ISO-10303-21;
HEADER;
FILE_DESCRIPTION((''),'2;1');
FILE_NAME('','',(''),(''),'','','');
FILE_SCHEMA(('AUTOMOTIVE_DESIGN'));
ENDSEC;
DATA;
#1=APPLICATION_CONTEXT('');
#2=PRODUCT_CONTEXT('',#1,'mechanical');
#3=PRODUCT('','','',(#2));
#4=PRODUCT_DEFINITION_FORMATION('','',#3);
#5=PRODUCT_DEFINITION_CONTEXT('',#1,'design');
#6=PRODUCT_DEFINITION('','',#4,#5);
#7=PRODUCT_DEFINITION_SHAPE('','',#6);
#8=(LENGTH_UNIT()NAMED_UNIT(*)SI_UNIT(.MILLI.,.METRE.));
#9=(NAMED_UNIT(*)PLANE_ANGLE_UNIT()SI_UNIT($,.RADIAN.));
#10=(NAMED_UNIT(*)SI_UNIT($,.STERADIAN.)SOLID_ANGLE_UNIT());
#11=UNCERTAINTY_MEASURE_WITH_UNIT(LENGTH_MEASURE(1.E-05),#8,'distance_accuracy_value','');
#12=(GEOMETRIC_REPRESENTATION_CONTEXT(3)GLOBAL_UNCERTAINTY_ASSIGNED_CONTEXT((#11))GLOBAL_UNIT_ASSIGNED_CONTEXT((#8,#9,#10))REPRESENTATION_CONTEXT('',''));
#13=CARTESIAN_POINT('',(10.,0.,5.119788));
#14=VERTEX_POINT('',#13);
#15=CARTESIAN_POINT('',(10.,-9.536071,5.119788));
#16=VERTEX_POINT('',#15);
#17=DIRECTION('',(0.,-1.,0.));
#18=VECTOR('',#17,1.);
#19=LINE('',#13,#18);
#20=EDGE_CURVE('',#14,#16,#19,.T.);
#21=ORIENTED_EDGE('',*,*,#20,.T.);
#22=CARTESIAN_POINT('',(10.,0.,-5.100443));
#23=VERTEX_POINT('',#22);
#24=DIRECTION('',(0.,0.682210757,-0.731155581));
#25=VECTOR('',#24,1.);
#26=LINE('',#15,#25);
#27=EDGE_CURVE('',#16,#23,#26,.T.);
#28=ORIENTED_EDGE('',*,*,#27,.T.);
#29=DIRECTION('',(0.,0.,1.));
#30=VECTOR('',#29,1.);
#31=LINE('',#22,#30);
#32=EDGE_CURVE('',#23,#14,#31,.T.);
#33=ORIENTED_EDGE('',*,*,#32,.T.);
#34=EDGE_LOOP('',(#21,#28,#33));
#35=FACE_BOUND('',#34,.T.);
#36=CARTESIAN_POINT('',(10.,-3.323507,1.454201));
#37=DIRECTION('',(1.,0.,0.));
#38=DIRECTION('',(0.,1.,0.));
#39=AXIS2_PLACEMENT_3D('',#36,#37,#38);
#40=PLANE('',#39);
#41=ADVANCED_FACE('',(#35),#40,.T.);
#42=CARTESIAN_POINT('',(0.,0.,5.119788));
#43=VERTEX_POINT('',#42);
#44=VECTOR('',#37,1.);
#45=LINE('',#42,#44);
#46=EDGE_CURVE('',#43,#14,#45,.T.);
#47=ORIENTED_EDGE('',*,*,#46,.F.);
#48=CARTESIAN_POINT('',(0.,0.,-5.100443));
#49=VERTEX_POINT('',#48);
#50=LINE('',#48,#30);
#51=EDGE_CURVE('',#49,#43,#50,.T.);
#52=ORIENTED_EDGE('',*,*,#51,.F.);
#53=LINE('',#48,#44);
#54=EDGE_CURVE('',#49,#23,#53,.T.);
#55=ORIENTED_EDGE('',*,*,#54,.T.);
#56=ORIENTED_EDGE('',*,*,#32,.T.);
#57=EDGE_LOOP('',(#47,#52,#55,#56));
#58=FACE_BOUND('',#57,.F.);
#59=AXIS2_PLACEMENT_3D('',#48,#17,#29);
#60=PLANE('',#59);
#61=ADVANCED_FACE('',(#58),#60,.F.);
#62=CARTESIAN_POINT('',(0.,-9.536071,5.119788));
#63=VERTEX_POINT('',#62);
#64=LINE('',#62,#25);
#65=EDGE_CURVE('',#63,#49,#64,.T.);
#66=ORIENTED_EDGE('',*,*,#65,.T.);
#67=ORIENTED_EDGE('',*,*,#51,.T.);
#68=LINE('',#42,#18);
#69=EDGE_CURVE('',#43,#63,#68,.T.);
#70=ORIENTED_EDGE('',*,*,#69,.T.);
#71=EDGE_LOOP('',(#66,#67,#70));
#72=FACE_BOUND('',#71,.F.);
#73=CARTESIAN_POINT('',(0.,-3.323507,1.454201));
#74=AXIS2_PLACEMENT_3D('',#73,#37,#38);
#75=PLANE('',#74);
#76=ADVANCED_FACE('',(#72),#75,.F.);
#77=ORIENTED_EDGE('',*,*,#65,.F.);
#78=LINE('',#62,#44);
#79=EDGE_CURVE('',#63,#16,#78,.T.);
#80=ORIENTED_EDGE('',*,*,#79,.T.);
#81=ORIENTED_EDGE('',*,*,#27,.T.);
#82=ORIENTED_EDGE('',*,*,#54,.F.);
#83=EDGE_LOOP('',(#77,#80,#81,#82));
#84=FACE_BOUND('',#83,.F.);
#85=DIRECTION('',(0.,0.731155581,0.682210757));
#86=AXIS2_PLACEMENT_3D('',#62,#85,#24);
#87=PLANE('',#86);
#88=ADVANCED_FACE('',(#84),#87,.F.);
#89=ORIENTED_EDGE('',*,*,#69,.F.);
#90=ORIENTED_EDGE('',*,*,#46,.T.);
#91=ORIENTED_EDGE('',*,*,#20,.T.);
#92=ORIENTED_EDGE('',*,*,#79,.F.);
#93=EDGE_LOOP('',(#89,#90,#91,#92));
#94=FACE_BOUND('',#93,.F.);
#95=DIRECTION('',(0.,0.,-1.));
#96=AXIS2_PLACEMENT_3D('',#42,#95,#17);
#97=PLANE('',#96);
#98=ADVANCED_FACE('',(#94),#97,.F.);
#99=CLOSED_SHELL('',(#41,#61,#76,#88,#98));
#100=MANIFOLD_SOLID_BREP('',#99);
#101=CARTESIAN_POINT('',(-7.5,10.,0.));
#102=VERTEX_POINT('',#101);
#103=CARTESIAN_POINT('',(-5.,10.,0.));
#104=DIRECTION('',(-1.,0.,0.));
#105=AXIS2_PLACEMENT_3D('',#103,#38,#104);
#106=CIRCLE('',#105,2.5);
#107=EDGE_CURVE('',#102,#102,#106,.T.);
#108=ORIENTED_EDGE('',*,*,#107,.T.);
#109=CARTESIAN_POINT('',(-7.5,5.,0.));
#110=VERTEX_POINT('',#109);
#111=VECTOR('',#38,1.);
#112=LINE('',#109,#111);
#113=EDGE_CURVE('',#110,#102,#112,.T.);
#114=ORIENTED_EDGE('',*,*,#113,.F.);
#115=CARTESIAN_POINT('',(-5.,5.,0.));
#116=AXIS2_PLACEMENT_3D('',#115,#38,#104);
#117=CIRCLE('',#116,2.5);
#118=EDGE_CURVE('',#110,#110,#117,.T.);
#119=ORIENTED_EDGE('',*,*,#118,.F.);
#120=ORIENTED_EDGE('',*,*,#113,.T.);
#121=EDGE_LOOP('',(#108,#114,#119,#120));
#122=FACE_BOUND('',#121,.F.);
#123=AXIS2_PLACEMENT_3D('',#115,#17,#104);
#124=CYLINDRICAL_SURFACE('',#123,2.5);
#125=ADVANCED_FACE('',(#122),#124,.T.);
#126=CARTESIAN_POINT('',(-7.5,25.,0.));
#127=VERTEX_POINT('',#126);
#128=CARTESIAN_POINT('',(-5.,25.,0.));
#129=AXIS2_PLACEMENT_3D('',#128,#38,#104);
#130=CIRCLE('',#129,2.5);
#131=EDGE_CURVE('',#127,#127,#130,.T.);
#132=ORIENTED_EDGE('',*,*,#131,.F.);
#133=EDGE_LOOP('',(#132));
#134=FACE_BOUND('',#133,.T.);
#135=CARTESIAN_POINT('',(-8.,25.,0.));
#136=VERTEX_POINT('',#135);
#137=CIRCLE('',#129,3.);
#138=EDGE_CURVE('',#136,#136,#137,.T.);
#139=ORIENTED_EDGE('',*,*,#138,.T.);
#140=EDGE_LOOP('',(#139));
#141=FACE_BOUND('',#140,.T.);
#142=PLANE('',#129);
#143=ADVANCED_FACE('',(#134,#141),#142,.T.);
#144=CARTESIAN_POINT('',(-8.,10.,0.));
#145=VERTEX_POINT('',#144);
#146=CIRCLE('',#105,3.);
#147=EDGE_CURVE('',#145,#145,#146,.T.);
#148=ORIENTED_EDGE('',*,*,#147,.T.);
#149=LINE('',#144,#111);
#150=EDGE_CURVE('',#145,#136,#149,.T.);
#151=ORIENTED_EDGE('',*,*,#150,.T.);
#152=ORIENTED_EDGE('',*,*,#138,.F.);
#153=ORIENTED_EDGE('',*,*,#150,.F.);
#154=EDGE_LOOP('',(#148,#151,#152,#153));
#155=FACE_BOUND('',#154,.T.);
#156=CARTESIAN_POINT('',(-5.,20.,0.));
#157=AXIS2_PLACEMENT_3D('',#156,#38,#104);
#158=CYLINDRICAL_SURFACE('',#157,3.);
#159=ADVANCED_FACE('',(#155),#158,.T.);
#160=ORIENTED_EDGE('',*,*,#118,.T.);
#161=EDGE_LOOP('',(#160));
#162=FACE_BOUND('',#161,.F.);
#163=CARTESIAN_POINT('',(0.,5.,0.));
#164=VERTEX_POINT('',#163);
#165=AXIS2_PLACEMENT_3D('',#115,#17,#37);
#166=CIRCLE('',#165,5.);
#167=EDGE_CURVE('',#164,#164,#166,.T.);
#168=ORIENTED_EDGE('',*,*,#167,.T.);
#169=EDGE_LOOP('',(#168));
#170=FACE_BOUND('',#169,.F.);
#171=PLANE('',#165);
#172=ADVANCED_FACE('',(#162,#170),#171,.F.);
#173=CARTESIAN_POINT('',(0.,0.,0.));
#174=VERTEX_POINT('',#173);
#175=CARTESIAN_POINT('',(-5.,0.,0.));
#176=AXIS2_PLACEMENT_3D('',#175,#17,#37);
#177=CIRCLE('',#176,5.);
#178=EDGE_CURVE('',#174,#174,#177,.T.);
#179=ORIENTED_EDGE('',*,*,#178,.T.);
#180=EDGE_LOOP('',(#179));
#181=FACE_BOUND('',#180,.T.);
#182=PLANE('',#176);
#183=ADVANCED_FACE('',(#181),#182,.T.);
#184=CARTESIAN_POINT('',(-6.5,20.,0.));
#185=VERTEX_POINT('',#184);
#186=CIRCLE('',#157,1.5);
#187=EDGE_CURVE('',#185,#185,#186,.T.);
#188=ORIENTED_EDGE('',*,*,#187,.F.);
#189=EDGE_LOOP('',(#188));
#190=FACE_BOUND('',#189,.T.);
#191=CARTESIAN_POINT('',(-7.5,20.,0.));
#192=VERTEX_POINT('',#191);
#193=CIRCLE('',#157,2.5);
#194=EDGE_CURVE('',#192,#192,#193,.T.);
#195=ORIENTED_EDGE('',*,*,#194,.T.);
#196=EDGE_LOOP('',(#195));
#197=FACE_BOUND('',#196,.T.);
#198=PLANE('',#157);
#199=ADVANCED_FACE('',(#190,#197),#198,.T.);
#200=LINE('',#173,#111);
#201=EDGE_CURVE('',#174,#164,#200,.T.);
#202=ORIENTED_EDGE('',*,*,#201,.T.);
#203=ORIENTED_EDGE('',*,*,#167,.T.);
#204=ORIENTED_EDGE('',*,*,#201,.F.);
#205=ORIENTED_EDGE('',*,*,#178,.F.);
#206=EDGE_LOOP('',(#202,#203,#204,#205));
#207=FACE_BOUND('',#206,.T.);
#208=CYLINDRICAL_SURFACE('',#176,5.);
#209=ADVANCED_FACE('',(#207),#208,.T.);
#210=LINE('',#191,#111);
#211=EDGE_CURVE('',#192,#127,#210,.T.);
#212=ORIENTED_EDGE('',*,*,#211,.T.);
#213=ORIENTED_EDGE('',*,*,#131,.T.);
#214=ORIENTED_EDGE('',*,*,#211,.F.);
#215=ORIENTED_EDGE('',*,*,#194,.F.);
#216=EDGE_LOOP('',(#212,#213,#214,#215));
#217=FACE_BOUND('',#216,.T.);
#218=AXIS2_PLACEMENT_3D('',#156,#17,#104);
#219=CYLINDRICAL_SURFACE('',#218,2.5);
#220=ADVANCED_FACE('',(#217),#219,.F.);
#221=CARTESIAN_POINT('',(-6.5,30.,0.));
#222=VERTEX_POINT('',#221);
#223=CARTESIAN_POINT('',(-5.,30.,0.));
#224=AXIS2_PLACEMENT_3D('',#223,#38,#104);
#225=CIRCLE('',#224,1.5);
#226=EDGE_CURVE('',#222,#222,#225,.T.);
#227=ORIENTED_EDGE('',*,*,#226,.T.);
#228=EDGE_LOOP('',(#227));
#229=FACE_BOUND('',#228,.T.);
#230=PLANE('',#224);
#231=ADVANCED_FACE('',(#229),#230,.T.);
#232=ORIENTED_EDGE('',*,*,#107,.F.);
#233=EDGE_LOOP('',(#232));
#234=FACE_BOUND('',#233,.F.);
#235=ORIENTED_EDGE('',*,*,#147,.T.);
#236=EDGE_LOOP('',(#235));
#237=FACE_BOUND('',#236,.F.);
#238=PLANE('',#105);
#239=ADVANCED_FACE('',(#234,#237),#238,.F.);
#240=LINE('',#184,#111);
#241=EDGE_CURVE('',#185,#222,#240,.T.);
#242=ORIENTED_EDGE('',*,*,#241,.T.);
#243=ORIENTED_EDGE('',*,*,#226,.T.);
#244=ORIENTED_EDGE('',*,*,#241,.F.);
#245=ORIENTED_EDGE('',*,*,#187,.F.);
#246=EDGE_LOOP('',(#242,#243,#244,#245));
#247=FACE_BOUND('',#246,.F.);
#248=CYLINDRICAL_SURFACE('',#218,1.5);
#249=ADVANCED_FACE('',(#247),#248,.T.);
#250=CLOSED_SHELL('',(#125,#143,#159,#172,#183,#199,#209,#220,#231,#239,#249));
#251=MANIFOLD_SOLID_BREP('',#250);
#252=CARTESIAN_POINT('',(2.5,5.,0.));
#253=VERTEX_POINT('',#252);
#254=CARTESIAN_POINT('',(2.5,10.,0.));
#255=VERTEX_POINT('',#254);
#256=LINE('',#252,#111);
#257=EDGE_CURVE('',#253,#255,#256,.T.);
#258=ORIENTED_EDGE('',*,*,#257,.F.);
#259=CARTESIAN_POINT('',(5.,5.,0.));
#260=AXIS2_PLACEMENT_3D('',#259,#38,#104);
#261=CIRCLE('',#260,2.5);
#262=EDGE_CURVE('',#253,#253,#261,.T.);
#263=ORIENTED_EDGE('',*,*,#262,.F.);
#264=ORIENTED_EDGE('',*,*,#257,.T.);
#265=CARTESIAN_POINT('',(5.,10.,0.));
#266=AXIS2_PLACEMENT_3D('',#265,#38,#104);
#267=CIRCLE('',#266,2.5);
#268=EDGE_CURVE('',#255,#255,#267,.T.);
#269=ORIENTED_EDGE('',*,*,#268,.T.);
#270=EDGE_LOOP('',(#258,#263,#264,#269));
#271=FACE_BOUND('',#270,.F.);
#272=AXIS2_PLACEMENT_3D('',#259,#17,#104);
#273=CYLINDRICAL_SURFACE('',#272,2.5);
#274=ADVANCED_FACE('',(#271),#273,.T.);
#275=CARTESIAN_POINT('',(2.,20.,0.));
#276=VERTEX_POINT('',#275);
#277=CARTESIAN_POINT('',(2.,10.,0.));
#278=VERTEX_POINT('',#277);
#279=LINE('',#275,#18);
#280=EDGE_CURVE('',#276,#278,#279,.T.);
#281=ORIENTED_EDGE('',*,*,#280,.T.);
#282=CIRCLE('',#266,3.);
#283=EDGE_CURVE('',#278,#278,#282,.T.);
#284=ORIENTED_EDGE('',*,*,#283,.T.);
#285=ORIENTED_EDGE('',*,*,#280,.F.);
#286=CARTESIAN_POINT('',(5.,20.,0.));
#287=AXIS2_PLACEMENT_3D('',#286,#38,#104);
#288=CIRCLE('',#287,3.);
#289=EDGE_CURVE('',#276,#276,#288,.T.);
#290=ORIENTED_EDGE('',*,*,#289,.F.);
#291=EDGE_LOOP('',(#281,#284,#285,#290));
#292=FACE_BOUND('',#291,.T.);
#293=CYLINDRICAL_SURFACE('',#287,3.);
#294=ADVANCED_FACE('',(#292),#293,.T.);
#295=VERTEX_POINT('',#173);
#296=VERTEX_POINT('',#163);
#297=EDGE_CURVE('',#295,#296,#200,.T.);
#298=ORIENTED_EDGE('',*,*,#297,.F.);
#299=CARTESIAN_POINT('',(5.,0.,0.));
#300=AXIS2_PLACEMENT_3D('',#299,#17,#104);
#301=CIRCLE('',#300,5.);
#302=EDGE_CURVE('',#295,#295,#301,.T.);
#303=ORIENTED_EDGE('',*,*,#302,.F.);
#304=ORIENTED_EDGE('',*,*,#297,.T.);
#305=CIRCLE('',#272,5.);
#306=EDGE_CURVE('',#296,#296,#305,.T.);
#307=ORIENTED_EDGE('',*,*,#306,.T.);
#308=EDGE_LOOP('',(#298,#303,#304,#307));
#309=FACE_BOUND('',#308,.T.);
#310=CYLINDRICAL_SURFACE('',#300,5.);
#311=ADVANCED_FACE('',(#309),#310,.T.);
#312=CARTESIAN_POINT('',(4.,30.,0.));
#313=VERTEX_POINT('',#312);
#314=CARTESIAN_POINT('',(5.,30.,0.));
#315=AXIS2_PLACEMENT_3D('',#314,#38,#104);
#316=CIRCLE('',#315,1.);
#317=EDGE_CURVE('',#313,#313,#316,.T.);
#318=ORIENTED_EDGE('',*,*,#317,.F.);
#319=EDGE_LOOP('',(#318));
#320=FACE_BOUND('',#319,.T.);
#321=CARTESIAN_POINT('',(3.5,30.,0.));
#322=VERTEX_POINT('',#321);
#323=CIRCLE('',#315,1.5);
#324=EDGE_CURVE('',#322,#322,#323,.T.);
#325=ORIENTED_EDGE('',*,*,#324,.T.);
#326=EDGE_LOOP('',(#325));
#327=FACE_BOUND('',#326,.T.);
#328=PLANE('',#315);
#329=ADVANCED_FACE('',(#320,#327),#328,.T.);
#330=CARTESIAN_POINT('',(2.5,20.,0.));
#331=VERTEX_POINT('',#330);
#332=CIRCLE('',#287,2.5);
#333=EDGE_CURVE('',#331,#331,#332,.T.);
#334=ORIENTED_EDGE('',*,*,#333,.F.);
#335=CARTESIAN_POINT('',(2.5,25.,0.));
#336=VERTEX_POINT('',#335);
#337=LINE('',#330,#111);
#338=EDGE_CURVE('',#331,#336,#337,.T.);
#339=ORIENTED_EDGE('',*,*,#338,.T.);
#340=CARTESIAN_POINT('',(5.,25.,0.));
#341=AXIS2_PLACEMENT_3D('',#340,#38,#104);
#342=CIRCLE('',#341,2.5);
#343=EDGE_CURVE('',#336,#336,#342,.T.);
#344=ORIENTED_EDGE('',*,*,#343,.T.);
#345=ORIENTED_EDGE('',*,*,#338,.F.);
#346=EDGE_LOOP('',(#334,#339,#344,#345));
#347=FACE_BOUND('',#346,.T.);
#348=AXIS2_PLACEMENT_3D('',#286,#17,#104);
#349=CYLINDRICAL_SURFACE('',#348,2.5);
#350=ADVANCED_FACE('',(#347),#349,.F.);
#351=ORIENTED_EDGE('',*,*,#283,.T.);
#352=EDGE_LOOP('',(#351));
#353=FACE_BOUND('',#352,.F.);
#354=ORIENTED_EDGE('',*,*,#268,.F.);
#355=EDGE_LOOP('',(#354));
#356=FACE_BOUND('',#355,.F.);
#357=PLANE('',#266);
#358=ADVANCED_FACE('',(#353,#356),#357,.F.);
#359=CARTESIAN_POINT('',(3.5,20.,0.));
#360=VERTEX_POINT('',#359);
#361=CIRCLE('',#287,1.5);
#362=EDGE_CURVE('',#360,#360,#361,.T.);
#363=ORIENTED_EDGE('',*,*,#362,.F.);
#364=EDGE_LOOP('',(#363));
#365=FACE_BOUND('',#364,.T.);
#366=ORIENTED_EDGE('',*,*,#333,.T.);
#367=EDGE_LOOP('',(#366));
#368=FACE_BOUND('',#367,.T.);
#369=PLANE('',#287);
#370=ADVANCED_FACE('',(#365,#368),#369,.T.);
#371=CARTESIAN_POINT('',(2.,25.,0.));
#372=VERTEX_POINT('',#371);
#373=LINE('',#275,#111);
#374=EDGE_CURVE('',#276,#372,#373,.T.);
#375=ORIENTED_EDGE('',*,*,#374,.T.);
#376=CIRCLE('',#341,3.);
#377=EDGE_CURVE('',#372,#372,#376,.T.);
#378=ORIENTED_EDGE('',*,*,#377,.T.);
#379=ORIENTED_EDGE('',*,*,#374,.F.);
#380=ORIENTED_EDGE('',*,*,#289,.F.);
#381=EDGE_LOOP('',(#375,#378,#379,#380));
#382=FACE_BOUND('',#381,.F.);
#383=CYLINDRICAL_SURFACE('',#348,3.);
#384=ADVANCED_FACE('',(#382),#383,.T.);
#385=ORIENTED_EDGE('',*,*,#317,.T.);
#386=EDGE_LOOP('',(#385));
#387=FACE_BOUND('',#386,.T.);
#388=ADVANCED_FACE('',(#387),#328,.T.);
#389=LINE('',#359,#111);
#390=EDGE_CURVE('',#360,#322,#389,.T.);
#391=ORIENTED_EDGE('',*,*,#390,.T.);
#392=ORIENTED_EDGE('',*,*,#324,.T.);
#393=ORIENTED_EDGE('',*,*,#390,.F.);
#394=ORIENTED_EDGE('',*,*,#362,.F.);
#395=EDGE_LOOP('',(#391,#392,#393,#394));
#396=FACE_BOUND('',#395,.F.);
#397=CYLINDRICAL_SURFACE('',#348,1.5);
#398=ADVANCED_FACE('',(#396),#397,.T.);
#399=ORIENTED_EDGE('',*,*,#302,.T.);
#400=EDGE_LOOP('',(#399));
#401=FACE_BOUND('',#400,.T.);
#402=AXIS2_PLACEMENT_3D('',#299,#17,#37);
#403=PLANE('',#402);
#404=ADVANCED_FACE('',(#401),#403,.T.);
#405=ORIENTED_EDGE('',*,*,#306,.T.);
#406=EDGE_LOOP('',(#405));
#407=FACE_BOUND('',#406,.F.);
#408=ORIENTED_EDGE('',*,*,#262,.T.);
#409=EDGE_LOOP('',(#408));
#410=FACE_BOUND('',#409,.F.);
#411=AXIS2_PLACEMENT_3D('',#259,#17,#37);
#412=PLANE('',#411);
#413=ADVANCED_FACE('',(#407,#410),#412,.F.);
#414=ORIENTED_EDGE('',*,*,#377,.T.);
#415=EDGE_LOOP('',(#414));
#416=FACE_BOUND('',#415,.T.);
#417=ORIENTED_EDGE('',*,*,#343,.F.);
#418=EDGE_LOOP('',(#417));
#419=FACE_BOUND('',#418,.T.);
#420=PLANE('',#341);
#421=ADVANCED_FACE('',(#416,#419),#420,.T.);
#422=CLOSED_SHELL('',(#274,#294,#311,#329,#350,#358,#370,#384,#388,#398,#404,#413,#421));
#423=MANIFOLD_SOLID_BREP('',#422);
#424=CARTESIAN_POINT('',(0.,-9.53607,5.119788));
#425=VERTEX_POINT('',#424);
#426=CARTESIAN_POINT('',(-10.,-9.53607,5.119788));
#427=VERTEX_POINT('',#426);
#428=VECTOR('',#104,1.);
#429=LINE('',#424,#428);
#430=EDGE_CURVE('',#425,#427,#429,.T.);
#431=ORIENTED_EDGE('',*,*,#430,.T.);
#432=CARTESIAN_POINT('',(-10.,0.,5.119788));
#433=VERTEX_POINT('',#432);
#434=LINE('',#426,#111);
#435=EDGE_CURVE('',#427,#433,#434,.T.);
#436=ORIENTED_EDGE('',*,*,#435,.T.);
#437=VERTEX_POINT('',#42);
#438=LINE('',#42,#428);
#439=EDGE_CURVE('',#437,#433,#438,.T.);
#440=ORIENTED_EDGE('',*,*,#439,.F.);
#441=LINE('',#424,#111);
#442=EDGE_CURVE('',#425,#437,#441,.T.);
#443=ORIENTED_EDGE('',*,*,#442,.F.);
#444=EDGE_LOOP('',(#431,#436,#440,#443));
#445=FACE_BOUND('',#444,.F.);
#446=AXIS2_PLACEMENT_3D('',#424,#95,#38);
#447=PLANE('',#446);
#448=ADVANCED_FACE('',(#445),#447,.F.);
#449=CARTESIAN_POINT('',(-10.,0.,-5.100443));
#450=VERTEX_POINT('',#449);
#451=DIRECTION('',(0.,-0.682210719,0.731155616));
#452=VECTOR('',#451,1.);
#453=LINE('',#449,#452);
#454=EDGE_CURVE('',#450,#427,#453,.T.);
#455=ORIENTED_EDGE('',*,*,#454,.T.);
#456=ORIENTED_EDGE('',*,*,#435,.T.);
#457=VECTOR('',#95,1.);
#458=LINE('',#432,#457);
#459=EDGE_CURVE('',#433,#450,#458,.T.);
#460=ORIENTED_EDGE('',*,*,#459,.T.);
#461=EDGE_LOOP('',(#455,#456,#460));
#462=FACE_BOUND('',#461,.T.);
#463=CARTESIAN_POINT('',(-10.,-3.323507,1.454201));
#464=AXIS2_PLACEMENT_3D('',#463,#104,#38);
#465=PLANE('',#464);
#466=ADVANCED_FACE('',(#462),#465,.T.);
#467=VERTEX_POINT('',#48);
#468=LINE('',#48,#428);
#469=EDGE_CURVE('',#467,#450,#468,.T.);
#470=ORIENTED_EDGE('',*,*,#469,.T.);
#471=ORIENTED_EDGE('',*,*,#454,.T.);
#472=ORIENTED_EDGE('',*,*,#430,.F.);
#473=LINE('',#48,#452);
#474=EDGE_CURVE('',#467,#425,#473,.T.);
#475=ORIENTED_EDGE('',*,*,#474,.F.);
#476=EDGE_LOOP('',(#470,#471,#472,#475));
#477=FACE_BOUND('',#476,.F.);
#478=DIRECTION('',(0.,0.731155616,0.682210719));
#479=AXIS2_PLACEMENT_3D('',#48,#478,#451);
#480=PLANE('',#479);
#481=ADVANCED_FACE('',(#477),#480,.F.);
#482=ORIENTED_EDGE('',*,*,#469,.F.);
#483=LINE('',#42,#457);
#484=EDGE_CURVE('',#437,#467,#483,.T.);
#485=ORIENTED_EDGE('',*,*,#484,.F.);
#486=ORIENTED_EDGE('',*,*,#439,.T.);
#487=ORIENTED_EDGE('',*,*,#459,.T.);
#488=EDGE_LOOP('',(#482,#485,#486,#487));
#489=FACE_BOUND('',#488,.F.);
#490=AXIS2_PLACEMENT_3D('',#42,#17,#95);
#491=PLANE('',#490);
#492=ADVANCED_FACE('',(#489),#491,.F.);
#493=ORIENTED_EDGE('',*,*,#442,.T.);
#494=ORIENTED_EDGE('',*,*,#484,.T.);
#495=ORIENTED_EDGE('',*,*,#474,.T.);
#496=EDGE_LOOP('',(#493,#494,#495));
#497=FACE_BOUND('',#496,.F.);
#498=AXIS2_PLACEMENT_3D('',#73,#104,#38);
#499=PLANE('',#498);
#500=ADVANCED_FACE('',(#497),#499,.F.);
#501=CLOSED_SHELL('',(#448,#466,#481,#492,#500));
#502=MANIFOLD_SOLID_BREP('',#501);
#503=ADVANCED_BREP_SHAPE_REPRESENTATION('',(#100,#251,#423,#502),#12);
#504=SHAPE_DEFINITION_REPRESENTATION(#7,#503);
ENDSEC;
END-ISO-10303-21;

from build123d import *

# Parameters (mm, degrees)
F0_R        = 5
F1_DEPTH    = 5
F2_R        = 2.5
F3_DEPTH    = 15
F4_R        = 3
F4_R_2      = 2.5
F5_DEPTH    = 10
F5_FACE_R   = 3
F5_FACE_R_2 = 2.5
F6_DEPTH    = 5
F7_R        = 1.5
F8_DEPTH    = 10
F9_R        = 1
F10_DEPTH   = 10
F11_W       = 10
F11_H       = 10
F12_DEPTH   = 0.1
F13_DEPTH   = 0.1
F16_DEPTH   = 10
F17_DEPTH   = 10


with BuildPart() as f1:
    # F0 (on Front) → F1 (new body)
    with BuildSketch(Plane.XZ):
        with BuildLine():
            ThreePointArc((0, 0), (5, -5), (10, 0))
            ThreePointArc((10, 0), (5, 5), (0, 0))
        make_face()
        with Locations((-5, 0)):
            Circle(F0_R)
    extrude(amount=-F1_DEPTH)

    # F2 (on face) → F3 (join)
    with BuildSketch(Plane(origin=(0, 5, 0), x_dir=(-1, 0, 0), z_dir=(0, 1, 0))):
        with Locations((-5, 0)):
            Circle(F2_R)
        with Locations((5, 0)):
            Circle(F2_R)
    extrude(amount=F3_DEPTH)



with BuildPart() as f5:
    # F4 (on face) → F5 (new body)
    with BuildSketch(Plane(origin=(0, 20, 0), x_dir=(-1, 0, 0), z_dir=(0, 1, 0))):
        with Locations((-5, 0)):
            Circle(F4_R)
        with Locations((-5, 0)):
            Circle(F4_R_2, mode=Mode.SUBTRACT)
        with Locations((5, 0)):
            Circle(F4_R)
        with Locations((5, 0)):
            Circle(F4_R_2, mode=Mode.SUBTRACT)
    extrude(amount=-F5_DEPTH)


with BuildPart() as f1_1:
    add(f1.part)

    add(f5.part)  # F6 merges F5
    # F5_face (on face) → F6 (join)
    with BuildSketch(Plane(origin=(5, 20, 0), x_dir=(-1, 0, 0), z_dir=(0, 1, 0))):
        Circle(F5_FACE_R)
        Circle(F5_FACE_R_2, mode=Mode.SUBTRACT)
        with Locations((10, 0)):
            Circle(F5_FACE_R)
        with Locations((10, 0)):
            Circle(F5_FACE_R_2, mode=Mode.SUBTRACT)
    extrude(amount=F6_DEPTH)

    # F7 (on face) → F8 (join)
    with BuildSketch(Plane(origin=(0, 20, 0), x_dir=(-1, 0, 0), z_dir=(0, 1, 0))):
        with Locations((-5, 0)):
            Circle(F7_R)
        with Locations((5, 0)):
            Circle(F7_R)
    extrude(amount=F8_DEPTH)

    # F9 (on face) → F10 (join)
    with BuildSketch(Plane(origin=(0, 30, 0), x_dir=(-1, 0, 0), z_dir=(0, 1, 0))):
        with Locations((-5, 0)):
            Circle(F9_R)
        with Locations((5, 0)):
            Circle(F9_R)
    extrude(amount=-F10_DEPTH)


with BuildPart() as f12:
    # F11 (on Front) → F12 (new body)
    with BuildSketch(Plane.XZ):
        with Locations((5, 0)):
            Rectangle(F11_W, F11_H)
        with Locations((-5, 0)):
            Rectangle(F11_W, F11_H)
    extrude(amount=F12_DEPTH)


with BuildPart() as f13:
    # F11 (on Front) → F13 (new body)
    with BuildSketch(Plane.XZ):
        with Locations((5, 0)):
            Rectangle(F11_W, F11_H)
        with Locations((-5, 0)):
            Rectangle(F11_W, F11_H)
    extrude(amount=F13_DEPTH)


with BuildPart() as f16:
    # F15 (on Right) → F16 (new body)
    with BuildSketch(Plane.YZ):
        Polygon((0, -5.100443), (0, 5.119788), (-9.536071, 5.119788), align=None)
    extrude(amount=F16_DEPTH)


with BuildPart() as f17:
    # F16_face (on face) → F17 (new body)
    with BuildSketch(Plane(origin=(0, -3.17869, 1.713044), x_dir=(0, 1, 0), z_dir=(-1, 0, 0))):
        Polygon((3.17869, -3.406744), (3.17869, 6.813487), (-6.35738, -3.406744), align=None)
    extrude(amount=F17_DEPTH)


solid = Compound([f1_1.part, f16.part, f17.part])
